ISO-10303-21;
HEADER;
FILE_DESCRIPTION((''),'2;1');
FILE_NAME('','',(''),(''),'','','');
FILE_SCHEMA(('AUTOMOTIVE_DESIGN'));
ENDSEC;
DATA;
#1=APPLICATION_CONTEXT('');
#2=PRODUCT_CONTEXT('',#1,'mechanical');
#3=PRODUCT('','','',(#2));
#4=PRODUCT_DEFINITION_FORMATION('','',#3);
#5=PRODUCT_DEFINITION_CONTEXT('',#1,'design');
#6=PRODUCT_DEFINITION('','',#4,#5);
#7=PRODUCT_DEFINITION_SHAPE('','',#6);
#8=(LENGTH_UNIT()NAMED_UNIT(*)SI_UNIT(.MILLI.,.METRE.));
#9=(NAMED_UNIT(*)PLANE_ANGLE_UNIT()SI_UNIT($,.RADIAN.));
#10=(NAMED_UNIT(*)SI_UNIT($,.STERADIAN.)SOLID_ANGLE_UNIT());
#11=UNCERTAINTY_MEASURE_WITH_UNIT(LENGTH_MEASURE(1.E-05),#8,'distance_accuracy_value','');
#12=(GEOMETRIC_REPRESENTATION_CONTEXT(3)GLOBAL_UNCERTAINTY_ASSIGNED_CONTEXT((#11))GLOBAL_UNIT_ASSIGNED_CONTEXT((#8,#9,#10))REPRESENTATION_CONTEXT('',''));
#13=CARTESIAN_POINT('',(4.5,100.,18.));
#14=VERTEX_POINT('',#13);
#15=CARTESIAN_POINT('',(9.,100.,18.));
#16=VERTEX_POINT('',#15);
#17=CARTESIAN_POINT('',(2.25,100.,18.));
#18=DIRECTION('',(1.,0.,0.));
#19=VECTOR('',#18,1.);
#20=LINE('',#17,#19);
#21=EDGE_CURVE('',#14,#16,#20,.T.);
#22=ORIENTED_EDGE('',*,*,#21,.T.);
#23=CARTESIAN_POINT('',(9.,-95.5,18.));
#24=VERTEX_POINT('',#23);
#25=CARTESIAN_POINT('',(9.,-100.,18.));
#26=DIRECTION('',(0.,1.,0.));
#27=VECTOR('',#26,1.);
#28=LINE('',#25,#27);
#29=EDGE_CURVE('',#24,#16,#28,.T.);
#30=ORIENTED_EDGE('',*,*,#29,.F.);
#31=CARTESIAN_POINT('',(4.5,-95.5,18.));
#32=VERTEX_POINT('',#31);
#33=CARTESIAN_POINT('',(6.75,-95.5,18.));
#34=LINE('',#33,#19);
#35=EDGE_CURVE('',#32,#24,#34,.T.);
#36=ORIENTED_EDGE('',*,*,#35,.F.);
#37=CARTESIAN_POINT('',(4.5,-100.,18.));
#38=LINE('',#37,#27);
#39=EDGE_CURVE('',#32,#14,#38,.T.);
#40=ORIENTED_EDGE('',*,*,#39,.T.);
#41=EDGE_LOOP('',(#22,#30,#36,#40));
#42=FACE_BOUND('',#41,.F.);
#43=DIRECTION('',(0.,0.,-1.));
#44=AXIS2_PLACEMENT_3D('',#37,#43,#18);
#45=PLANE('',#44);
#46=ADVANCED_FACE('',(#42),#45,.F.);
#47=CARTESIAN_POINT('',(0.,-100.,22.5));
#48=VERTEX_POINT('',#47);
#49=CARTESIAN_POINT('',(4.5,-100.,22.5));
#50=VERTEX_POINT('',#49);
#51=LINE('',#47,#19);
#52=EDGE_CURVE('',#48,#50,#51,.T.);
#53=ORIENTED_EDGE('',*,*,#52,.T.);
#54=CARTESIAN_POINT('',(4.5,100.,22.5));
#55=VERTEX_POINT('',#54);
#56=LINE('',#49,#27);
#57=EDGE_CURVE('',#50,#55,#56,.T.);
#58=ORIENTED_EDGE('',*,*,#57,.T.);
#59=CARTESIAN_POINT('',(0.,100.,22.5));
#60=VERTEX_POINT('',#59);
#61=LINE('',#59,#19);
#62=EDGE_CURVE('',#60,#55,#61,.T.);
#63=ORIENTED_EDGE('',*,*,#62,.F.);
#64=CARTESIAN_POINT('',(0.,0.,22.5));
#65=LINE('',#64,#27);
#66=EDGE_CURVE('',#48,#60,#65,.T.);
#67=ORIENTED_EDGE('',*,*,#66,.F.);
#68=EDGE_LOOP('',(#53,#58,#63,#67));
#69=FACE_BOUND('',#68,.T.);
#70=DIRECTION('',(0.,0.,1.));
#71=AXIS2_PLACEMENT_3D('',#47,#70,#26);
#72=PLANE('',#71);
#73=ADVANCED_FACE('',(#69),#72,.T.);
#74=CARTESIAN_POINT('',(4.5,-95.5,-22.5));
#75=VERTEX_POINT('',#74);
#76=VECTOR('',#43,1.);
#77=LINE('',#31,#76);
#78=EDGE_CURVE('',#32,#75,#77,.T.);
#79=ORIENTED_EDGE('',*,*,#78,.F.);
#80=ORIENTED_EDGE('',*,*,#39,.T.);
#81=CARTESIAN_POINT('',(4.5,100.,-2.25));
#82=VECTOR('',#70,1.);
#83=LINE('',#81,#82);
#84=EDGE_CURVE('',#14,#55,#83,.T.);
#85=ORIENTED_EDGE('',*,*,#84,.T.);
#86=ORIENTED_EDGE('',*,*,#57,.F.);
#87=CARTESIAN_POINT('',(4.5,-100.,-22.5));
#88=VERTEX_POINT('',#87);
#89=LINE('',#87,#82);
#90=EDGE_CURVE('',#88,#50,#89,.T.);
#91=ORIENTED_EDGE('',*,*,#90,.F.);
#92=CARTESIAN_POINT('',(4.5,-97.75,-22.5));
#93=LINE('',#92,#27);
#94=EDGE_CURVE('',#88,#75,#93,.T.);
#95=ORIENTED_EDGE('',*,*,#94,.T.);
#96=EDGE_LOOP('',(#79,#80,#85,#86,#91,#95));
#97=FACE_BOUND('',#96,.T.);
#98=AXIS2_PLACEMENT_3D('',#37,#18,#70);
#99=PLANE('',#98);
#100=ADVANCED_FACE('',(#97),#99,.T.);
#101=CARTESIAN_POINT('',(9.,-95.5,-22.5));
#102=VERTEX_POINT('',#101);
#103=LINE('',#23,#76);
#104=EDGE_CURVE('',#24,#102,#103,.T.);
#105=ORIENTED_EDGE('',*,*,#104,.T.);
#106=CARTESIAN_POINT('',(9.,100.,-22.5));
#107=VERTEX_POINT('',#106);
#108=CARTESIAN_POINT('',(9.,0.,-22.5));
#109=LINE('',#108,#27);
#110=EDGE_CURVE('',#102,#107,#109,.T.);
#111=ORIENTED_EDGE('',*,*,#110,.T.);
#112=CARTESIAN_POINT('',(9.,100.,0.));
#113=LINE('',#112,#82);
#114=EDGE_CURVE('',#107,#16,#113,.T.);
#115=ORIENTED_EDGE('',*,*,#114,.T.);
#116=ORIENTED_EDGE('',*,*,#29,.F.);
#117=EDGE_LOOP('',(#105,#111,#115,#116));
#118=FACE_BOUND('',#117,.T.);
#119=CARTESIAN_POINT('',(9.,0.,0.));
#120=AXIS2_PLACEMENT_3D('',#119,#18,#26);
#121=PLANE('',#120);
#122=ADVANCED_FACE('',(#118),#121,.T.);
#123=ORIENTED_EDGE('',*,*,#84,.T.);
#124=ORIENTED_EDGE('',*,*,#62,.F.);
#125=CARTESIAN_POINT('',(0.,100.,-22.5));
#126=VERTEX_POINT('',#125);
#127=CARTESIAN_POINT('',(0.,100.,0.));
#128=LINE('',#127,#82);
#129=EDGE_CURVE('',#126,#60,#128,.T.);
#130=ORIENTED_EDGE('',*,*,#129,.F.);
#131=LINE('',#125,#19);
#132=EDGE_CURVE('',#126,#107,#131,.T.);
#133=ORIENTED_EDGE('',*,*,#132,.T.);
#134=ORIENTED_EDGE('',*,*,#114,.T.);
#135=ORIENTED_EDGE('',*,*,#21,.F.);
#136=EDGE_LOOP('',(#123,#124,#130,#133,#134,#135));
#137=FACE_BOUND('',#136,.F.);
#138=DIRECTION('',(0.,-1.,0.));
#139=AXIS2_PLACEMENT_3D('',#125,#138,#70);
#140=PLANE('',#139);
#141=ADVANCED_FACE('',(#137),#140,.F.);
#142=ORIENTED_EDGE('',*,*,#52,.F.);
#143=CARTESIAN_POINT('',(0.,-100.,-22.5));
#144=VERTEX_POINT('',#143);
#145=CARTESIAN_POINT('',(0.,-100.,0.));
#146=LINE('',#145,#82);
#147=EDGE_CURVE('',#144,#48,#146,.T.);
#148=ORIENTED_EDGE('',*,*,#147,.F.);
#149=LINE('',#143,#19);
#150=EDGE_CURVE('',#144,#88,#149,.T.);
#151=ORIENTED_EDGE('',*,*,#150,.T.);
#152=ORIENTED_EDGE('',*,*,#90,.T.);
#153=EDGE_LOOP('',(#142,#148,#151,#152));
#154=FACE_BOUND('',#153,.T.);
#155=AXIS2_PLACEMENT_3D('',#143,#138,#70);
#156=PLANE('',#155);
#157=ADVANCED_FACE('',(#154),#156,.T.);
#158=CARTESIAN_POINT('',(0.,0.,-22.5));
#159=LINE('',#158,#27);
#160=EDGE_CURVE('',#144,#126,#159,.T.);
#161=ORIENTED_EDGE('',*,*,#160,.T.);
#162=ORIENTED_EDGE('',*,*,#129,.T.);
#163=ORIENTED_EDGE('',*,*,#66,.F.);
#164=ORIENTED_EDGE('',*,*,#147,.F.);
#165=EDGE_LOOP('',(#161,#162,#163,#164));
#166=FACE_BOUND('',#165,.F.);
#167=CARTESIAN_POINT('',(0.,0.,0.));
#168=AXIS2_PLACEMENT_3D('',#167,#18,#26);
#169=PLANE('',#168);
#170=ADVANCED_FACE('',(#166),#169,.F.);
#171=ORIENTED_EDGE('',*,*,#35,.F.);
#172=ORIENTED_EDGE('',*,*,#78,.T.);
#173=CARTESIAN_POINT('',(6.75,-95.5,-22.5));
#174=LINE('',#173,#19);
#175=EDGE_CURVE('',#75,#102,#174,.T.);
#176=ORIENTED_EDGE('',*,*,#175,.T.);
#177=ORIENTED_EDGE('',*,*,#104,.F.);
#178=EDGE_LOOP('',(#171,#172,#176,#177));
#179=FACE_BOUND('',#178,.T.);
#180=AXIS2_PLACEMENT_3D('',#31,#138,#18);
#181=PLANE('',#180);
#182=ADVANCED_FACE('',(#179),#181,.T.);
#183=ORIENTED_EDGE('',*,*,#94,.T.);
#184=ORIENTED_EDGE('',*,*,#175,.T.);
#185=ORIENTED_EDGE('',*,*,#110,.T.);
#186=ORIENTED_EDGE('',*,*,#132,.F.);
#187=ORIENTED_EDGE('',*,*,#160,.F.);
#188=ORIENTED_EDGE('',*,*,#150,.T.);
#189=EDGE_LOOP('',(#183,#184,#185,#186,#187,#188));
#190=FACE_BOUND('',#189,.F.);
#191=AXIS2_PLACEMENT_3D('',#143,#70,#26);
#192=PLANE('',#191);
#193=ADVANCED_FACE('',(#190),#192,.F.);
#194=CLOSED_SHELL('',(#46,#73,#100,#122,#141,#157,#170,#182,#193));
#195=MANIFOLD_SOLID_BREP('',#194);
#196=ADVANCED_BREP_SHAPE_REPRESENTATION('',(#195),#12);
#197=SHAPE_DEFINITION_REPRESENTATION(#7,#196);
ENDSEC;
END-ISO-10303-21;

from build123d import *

# Parameters (mm, degrees)
F0_W     = 200
F0_H     = 45
F1_DEPTH = 9
F2_W     = 4.5
F2_H     = 4.5
F3_DEPTH = 200.001
F4_W     = 4.5
F4_H     = 4.5
F5_DEPTH = 40.5


with BuildPart() as f1:
    # F0 (on Right) → F1 (new body)
    with BuildSketch(Plane.YZ):
        Rectangle(F0_W, F0_H)
    extrude(amount=F1_DEPTH)

    # F2 (on face) → F3 (cut, through all)
    with BuildSketch(Plane.XZ.offset(100)):
        with Locations((6.75, 20.25)):
            Rectangle(F2_W, F2_H)
    extrude(amount=-F3_DEPTH, mode=Mode.SUBTRACT)

    # F4 (on face) → F5 (cut, through all)
    with BuildSketch(Plane.XY.offset(18)):
        with Locations((6.75, -97.75)):
            Rectangle(F4_W, F4_H)
    extrude(amount=-F5_DEPTH, mode=Mode.SUBTRACT)


solid = f1.part
